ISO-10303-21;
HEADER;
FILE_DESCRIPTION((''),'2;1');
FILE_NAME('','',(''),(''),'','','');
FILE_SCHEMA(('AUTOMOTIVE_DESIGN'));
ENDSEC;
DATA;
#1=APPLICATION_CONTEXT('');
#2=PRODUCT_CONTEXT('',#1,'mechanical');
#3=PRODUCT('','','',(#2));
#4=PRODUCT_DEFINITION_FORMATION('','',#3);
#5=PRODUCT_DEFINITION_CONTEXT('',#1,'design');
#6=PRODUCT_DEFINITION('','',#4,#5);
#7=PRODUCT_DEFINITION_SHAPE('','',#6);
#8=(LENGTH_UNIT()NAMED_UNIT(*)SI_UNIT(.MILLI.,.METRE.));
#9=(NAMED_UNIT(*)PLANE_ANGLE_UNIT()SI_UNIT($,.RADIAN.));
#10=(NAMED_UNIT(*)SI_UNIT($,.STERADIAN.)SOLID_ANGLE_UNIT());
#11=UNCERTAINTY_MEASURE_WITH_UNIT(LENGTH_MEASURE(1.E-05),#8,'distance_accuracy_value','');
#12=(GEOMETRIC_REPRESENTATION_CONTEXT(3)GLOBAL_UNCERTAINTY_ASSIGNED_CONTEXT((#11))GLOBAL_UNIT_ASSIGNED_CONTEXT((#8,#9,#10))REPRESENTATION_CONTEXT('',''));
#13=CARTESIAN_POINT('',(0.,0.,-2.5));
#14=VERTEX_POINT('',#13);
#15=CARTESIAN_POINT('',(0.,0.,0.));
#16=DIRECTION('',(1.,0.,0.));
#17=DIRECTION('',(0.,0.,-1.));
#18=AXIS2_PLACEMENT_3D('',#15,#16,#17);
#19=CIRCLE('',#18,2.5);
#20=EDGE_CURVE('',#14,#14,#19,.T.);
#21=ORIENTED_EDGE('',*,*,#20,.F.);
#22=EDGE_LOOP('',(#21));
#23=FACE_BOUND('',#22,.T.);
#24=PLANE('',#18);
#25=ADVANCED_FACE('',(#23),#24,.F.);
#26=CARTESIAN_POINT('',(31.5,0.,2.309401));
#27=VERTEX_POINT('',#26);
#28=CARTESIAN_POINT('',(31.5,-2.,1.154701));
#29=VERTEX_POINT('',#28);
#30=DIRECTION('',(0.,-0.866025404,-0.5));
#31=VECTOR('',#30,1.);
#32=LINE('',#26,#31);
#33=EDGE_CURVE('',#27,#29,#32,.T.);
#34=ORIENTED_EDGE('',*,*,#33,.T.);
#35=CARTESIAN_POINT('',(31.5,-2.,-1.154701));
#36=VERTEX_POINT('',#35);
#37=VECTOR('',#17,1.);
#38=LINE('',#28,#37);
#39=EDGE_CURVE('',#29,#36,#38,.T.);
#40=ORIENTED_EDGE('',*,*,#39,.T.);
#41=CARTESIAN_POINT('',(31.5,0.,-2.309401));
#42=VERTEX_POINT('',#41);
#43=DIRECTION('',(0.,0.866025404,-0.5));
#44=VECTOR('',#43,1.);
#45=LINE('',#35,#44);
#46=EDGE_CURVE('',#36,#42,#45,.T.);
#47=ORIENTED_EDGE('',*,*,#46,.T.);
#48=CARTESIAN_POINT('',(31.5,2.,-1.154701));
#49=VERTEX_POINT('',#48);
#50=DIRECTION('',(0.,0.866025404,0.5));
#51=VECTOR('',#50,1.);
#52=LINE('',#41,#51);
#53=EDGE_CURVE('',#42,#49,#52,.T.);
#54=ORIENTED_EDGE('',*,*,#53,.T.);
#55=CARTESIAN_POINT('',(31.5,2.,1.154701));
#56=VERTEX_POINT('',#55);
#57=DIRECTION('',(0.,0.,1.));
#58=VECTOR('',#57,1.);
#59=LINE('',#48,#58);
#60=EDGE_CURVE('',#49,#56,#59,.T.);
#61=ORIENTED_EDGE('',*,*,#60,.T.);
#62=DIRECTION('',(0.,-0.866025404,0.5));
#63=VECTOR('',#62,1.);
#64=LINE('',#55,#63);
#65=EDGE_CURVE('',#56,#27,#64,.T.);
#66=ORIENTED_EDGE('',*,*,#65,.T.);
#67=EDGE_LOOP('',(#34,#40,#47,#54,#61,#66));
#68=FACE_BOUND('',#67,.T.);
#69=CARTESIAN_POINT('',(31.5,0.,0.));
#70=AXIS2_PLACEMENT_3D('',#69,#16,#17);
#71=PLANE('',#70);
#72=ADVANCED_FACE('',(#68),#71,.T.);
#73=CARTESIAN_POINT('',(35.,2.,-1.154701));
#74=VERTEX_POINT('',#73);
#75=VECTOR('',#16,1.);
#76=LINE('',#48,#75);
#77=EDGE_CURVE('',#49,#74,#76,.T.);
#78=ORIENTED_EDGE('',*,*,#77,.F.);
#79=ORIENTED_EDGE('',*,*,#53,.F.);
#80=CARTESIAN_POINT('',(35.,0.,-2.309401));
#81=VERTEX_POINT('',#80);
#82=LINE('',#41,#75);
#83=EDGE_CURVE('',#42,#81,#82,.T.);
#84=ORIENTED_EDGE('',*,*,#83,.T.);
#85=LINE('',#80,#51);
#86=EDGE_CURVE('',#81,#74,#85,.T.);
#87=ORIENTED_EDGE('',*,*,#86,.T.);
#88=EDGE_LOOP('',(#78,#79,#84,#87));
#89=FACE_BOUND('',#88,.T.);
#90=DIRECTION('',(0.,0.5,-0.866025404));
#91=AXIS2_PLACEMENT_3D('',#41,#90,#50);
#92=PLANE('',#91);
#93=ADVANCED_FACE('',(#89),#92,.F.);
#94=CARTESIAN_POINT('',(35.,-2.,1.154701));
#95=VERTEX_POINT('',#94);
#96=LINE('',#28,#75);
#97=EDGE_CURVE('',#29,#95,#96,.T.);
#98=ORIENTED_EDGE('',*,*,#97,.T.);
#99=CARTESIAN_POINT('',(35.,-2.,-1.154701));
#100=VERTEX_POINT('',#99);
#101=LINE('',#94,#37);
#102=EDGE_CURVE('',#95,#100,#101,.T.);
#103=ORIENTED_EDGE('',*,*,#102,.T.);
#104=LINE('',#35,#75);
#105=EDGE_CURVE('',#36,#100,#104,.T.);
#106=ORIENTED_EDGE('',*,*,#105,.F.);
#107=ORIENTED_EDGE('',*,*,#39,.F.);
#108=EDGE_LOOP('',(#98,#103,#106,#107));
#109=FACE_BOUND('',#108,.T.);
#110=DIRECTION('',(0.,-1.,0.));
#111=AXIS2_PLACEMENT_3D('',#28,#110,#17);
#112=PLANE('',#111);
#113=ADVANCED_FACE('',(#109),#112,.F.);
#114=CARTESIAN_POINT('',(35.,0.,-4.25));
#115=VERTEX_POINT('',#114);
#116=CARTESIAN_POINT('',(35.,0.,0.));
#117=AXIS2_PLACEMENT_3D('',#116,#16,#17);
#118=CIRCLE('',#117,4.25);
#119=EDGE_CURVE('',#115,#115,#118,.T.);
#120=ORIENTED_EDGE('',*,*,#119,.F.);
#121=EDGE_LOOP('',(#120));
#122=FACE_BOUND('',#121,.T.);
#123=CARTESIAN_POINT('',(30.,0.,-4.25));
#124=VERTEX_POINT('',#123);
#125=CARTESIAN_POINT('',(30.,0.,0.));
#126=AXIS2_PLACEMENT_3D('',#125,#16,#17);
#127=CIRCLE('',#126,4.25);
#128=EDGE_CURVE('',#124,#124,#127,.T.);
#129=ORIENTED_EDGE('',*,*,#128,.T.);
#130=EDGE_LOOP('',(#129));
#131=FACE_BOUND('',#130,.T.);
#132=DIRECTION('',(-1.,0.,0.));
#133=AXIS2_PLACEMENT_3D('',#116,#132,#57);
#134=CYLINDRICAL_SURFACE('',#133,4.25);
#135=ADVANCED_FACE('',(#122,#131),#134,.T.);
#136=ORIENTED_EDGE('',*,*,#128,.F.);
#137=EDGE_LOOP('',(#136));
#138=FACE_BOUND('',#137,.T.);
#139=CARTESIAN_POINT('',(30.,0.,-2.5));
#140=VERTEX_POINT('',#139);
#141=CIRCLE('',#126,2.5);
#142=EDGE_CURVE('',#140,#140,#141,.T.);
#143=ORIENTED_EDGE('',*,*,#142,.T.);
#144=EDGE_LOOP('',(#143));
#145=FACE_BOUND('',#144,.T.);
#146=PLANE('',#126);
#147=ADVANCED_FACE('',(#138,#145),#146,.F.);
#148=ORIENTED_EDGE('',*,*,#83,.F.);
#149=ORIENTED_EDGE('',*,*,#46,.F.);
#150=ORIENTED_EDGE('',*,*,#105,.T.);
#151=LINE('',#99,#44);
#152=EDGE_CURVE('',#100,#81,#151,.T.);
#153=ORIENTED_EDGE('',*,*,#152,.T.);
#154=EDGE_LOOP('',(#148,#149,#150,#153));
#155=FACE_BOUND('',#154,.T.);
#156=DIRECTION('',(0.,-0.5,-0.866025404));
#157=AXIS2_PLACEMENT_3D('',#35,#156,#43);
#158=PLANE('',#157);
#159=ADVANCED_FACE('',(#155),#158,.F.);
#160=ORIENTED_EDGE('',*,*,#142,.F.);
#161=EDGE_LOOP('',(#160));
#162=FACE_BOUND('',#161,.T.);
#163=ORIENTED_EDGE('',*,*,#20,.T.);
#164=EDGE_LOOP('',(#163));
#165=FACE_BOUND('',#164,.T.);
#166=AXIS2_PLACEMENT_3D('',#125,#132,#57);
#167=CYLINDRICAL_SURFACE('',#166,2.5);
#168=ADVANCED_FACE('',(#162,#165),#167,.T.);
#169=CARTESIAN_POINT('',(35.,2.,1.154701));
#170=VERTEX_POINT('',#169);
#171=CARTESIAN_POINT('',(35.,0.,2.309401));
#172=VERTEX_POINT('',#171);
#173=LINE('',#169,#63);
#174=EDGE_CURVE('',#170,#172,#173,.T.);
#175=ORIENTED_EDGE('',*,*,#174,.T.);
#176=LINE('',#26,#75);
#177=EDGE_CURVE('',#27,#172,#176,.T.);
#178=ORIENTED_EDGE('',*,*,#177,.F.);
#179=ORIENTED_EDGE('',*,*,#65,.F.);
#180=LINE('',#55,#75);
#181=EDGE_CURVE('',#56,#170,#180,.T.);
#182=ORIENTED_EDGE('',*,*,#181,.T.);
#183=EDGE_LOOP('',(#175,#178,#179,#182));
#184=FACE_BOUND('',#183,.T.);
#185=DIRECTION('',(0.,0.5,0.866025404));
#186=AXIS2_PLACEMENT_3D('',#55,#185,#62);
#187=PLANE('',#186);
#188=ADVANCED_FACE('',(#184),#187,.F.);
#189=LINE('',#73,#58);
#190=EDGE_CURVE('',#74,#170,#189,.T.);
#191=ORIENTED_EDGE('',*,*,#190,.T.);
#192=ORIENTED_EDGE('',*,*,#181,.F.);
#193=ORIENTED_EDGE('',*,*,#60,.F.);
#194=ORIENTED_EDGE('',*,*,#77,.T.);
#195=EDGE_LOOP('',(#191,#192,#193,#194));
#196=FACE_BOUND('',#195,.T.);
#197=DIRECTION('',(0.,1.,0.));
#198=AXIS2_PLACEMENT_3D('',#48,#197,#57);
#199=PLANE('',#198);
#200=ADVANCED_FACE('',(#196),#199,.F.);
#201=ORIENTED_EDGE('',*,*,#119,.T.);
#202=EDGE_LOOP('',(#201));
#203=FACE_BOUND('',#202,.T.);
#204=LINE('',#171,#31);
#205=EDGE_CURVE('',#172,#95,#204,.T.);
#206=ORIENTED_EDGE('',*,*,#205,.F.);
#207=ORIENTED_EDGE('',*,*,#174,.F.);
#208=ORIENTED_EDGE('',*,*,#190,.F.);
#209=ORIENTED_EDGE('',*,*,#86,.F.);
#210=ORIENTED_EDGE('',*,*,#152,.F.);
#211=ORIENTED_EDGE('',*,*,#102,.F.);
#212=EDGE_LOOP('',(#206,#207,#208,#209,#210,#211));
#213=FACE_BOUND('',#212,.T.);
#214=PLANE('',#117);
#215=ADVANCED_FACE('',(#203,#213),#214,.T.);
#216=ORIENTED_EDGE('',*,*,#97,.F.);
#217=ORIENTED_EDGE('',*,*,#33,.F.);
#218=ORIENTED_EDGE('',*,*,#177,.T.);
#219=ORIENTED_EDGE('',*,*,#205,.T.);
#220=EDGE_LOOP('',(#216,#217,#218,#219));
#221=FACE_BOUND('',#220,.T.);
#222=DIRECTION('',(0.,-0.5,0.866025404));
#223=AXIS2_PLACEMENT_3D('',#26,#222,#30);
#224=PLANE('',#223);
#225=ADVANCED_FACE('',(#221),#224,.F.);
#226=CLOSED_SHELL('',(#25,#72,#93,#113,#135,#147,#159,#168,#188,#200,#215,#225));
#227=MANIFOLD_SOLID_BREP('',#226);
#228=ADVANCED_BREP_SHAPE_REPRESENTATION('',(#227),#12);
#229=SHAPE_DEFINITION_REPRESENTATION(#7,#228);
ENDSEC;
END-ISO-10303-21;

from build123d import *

# Parameters (mm, degrees)
ESQUISSE1_R             = 2.5
BOSS_EXTRU_1_DEPTH      = 30
ESQUISSE2_R             = 4.25
BOSS_EXTRU_2_DEPTH      = 5
ENL_V_MAT_EXTRU_1_DEPTH = 3.5


with BuildPart() as part:
    # Esquisse1 → Boss.-Extru.1 (new body)
    with BuildSketch(Plane(origin=(0, 0, 0), x_dir=(0, 0, -1), z_dir=(1, 0, 0))):
        Circle(ESQUISSE1_R)
    extrude(amount=BOSS_EXTRU_1_DEPTH)

    # Esquisse2 → Boss.-Extru.2 (add)
    with BuildSketch(Plane(origin=(30, 0, 0), x_dir=(0, 0, -1), z_dir=(1, 0, 0))):
        Circle(ESQUISSE2_R)
    extrude(amount=BOSS_EXTRU_2_DEPTH)

    # Esquisse3 → Enlèv. mat.-Extru.1 (cut)
    with BuildSketch(Plane(origin=(35, 0, 0), x_dir=(0, 0, -1), z_dir=(1, 0, 0))):
        Polygon((2.309401077, 0), (1.154700538, 2), (-1.154700538, 2), (-2.309401077, 0), (-1.154700538, -2), (1.154700538, -2), align=None)
    extrude(amount=-ENL_V_MAT_EXTRU_1_DEPTH, mode=Mode.SUBTRACT)


solid = part.part
